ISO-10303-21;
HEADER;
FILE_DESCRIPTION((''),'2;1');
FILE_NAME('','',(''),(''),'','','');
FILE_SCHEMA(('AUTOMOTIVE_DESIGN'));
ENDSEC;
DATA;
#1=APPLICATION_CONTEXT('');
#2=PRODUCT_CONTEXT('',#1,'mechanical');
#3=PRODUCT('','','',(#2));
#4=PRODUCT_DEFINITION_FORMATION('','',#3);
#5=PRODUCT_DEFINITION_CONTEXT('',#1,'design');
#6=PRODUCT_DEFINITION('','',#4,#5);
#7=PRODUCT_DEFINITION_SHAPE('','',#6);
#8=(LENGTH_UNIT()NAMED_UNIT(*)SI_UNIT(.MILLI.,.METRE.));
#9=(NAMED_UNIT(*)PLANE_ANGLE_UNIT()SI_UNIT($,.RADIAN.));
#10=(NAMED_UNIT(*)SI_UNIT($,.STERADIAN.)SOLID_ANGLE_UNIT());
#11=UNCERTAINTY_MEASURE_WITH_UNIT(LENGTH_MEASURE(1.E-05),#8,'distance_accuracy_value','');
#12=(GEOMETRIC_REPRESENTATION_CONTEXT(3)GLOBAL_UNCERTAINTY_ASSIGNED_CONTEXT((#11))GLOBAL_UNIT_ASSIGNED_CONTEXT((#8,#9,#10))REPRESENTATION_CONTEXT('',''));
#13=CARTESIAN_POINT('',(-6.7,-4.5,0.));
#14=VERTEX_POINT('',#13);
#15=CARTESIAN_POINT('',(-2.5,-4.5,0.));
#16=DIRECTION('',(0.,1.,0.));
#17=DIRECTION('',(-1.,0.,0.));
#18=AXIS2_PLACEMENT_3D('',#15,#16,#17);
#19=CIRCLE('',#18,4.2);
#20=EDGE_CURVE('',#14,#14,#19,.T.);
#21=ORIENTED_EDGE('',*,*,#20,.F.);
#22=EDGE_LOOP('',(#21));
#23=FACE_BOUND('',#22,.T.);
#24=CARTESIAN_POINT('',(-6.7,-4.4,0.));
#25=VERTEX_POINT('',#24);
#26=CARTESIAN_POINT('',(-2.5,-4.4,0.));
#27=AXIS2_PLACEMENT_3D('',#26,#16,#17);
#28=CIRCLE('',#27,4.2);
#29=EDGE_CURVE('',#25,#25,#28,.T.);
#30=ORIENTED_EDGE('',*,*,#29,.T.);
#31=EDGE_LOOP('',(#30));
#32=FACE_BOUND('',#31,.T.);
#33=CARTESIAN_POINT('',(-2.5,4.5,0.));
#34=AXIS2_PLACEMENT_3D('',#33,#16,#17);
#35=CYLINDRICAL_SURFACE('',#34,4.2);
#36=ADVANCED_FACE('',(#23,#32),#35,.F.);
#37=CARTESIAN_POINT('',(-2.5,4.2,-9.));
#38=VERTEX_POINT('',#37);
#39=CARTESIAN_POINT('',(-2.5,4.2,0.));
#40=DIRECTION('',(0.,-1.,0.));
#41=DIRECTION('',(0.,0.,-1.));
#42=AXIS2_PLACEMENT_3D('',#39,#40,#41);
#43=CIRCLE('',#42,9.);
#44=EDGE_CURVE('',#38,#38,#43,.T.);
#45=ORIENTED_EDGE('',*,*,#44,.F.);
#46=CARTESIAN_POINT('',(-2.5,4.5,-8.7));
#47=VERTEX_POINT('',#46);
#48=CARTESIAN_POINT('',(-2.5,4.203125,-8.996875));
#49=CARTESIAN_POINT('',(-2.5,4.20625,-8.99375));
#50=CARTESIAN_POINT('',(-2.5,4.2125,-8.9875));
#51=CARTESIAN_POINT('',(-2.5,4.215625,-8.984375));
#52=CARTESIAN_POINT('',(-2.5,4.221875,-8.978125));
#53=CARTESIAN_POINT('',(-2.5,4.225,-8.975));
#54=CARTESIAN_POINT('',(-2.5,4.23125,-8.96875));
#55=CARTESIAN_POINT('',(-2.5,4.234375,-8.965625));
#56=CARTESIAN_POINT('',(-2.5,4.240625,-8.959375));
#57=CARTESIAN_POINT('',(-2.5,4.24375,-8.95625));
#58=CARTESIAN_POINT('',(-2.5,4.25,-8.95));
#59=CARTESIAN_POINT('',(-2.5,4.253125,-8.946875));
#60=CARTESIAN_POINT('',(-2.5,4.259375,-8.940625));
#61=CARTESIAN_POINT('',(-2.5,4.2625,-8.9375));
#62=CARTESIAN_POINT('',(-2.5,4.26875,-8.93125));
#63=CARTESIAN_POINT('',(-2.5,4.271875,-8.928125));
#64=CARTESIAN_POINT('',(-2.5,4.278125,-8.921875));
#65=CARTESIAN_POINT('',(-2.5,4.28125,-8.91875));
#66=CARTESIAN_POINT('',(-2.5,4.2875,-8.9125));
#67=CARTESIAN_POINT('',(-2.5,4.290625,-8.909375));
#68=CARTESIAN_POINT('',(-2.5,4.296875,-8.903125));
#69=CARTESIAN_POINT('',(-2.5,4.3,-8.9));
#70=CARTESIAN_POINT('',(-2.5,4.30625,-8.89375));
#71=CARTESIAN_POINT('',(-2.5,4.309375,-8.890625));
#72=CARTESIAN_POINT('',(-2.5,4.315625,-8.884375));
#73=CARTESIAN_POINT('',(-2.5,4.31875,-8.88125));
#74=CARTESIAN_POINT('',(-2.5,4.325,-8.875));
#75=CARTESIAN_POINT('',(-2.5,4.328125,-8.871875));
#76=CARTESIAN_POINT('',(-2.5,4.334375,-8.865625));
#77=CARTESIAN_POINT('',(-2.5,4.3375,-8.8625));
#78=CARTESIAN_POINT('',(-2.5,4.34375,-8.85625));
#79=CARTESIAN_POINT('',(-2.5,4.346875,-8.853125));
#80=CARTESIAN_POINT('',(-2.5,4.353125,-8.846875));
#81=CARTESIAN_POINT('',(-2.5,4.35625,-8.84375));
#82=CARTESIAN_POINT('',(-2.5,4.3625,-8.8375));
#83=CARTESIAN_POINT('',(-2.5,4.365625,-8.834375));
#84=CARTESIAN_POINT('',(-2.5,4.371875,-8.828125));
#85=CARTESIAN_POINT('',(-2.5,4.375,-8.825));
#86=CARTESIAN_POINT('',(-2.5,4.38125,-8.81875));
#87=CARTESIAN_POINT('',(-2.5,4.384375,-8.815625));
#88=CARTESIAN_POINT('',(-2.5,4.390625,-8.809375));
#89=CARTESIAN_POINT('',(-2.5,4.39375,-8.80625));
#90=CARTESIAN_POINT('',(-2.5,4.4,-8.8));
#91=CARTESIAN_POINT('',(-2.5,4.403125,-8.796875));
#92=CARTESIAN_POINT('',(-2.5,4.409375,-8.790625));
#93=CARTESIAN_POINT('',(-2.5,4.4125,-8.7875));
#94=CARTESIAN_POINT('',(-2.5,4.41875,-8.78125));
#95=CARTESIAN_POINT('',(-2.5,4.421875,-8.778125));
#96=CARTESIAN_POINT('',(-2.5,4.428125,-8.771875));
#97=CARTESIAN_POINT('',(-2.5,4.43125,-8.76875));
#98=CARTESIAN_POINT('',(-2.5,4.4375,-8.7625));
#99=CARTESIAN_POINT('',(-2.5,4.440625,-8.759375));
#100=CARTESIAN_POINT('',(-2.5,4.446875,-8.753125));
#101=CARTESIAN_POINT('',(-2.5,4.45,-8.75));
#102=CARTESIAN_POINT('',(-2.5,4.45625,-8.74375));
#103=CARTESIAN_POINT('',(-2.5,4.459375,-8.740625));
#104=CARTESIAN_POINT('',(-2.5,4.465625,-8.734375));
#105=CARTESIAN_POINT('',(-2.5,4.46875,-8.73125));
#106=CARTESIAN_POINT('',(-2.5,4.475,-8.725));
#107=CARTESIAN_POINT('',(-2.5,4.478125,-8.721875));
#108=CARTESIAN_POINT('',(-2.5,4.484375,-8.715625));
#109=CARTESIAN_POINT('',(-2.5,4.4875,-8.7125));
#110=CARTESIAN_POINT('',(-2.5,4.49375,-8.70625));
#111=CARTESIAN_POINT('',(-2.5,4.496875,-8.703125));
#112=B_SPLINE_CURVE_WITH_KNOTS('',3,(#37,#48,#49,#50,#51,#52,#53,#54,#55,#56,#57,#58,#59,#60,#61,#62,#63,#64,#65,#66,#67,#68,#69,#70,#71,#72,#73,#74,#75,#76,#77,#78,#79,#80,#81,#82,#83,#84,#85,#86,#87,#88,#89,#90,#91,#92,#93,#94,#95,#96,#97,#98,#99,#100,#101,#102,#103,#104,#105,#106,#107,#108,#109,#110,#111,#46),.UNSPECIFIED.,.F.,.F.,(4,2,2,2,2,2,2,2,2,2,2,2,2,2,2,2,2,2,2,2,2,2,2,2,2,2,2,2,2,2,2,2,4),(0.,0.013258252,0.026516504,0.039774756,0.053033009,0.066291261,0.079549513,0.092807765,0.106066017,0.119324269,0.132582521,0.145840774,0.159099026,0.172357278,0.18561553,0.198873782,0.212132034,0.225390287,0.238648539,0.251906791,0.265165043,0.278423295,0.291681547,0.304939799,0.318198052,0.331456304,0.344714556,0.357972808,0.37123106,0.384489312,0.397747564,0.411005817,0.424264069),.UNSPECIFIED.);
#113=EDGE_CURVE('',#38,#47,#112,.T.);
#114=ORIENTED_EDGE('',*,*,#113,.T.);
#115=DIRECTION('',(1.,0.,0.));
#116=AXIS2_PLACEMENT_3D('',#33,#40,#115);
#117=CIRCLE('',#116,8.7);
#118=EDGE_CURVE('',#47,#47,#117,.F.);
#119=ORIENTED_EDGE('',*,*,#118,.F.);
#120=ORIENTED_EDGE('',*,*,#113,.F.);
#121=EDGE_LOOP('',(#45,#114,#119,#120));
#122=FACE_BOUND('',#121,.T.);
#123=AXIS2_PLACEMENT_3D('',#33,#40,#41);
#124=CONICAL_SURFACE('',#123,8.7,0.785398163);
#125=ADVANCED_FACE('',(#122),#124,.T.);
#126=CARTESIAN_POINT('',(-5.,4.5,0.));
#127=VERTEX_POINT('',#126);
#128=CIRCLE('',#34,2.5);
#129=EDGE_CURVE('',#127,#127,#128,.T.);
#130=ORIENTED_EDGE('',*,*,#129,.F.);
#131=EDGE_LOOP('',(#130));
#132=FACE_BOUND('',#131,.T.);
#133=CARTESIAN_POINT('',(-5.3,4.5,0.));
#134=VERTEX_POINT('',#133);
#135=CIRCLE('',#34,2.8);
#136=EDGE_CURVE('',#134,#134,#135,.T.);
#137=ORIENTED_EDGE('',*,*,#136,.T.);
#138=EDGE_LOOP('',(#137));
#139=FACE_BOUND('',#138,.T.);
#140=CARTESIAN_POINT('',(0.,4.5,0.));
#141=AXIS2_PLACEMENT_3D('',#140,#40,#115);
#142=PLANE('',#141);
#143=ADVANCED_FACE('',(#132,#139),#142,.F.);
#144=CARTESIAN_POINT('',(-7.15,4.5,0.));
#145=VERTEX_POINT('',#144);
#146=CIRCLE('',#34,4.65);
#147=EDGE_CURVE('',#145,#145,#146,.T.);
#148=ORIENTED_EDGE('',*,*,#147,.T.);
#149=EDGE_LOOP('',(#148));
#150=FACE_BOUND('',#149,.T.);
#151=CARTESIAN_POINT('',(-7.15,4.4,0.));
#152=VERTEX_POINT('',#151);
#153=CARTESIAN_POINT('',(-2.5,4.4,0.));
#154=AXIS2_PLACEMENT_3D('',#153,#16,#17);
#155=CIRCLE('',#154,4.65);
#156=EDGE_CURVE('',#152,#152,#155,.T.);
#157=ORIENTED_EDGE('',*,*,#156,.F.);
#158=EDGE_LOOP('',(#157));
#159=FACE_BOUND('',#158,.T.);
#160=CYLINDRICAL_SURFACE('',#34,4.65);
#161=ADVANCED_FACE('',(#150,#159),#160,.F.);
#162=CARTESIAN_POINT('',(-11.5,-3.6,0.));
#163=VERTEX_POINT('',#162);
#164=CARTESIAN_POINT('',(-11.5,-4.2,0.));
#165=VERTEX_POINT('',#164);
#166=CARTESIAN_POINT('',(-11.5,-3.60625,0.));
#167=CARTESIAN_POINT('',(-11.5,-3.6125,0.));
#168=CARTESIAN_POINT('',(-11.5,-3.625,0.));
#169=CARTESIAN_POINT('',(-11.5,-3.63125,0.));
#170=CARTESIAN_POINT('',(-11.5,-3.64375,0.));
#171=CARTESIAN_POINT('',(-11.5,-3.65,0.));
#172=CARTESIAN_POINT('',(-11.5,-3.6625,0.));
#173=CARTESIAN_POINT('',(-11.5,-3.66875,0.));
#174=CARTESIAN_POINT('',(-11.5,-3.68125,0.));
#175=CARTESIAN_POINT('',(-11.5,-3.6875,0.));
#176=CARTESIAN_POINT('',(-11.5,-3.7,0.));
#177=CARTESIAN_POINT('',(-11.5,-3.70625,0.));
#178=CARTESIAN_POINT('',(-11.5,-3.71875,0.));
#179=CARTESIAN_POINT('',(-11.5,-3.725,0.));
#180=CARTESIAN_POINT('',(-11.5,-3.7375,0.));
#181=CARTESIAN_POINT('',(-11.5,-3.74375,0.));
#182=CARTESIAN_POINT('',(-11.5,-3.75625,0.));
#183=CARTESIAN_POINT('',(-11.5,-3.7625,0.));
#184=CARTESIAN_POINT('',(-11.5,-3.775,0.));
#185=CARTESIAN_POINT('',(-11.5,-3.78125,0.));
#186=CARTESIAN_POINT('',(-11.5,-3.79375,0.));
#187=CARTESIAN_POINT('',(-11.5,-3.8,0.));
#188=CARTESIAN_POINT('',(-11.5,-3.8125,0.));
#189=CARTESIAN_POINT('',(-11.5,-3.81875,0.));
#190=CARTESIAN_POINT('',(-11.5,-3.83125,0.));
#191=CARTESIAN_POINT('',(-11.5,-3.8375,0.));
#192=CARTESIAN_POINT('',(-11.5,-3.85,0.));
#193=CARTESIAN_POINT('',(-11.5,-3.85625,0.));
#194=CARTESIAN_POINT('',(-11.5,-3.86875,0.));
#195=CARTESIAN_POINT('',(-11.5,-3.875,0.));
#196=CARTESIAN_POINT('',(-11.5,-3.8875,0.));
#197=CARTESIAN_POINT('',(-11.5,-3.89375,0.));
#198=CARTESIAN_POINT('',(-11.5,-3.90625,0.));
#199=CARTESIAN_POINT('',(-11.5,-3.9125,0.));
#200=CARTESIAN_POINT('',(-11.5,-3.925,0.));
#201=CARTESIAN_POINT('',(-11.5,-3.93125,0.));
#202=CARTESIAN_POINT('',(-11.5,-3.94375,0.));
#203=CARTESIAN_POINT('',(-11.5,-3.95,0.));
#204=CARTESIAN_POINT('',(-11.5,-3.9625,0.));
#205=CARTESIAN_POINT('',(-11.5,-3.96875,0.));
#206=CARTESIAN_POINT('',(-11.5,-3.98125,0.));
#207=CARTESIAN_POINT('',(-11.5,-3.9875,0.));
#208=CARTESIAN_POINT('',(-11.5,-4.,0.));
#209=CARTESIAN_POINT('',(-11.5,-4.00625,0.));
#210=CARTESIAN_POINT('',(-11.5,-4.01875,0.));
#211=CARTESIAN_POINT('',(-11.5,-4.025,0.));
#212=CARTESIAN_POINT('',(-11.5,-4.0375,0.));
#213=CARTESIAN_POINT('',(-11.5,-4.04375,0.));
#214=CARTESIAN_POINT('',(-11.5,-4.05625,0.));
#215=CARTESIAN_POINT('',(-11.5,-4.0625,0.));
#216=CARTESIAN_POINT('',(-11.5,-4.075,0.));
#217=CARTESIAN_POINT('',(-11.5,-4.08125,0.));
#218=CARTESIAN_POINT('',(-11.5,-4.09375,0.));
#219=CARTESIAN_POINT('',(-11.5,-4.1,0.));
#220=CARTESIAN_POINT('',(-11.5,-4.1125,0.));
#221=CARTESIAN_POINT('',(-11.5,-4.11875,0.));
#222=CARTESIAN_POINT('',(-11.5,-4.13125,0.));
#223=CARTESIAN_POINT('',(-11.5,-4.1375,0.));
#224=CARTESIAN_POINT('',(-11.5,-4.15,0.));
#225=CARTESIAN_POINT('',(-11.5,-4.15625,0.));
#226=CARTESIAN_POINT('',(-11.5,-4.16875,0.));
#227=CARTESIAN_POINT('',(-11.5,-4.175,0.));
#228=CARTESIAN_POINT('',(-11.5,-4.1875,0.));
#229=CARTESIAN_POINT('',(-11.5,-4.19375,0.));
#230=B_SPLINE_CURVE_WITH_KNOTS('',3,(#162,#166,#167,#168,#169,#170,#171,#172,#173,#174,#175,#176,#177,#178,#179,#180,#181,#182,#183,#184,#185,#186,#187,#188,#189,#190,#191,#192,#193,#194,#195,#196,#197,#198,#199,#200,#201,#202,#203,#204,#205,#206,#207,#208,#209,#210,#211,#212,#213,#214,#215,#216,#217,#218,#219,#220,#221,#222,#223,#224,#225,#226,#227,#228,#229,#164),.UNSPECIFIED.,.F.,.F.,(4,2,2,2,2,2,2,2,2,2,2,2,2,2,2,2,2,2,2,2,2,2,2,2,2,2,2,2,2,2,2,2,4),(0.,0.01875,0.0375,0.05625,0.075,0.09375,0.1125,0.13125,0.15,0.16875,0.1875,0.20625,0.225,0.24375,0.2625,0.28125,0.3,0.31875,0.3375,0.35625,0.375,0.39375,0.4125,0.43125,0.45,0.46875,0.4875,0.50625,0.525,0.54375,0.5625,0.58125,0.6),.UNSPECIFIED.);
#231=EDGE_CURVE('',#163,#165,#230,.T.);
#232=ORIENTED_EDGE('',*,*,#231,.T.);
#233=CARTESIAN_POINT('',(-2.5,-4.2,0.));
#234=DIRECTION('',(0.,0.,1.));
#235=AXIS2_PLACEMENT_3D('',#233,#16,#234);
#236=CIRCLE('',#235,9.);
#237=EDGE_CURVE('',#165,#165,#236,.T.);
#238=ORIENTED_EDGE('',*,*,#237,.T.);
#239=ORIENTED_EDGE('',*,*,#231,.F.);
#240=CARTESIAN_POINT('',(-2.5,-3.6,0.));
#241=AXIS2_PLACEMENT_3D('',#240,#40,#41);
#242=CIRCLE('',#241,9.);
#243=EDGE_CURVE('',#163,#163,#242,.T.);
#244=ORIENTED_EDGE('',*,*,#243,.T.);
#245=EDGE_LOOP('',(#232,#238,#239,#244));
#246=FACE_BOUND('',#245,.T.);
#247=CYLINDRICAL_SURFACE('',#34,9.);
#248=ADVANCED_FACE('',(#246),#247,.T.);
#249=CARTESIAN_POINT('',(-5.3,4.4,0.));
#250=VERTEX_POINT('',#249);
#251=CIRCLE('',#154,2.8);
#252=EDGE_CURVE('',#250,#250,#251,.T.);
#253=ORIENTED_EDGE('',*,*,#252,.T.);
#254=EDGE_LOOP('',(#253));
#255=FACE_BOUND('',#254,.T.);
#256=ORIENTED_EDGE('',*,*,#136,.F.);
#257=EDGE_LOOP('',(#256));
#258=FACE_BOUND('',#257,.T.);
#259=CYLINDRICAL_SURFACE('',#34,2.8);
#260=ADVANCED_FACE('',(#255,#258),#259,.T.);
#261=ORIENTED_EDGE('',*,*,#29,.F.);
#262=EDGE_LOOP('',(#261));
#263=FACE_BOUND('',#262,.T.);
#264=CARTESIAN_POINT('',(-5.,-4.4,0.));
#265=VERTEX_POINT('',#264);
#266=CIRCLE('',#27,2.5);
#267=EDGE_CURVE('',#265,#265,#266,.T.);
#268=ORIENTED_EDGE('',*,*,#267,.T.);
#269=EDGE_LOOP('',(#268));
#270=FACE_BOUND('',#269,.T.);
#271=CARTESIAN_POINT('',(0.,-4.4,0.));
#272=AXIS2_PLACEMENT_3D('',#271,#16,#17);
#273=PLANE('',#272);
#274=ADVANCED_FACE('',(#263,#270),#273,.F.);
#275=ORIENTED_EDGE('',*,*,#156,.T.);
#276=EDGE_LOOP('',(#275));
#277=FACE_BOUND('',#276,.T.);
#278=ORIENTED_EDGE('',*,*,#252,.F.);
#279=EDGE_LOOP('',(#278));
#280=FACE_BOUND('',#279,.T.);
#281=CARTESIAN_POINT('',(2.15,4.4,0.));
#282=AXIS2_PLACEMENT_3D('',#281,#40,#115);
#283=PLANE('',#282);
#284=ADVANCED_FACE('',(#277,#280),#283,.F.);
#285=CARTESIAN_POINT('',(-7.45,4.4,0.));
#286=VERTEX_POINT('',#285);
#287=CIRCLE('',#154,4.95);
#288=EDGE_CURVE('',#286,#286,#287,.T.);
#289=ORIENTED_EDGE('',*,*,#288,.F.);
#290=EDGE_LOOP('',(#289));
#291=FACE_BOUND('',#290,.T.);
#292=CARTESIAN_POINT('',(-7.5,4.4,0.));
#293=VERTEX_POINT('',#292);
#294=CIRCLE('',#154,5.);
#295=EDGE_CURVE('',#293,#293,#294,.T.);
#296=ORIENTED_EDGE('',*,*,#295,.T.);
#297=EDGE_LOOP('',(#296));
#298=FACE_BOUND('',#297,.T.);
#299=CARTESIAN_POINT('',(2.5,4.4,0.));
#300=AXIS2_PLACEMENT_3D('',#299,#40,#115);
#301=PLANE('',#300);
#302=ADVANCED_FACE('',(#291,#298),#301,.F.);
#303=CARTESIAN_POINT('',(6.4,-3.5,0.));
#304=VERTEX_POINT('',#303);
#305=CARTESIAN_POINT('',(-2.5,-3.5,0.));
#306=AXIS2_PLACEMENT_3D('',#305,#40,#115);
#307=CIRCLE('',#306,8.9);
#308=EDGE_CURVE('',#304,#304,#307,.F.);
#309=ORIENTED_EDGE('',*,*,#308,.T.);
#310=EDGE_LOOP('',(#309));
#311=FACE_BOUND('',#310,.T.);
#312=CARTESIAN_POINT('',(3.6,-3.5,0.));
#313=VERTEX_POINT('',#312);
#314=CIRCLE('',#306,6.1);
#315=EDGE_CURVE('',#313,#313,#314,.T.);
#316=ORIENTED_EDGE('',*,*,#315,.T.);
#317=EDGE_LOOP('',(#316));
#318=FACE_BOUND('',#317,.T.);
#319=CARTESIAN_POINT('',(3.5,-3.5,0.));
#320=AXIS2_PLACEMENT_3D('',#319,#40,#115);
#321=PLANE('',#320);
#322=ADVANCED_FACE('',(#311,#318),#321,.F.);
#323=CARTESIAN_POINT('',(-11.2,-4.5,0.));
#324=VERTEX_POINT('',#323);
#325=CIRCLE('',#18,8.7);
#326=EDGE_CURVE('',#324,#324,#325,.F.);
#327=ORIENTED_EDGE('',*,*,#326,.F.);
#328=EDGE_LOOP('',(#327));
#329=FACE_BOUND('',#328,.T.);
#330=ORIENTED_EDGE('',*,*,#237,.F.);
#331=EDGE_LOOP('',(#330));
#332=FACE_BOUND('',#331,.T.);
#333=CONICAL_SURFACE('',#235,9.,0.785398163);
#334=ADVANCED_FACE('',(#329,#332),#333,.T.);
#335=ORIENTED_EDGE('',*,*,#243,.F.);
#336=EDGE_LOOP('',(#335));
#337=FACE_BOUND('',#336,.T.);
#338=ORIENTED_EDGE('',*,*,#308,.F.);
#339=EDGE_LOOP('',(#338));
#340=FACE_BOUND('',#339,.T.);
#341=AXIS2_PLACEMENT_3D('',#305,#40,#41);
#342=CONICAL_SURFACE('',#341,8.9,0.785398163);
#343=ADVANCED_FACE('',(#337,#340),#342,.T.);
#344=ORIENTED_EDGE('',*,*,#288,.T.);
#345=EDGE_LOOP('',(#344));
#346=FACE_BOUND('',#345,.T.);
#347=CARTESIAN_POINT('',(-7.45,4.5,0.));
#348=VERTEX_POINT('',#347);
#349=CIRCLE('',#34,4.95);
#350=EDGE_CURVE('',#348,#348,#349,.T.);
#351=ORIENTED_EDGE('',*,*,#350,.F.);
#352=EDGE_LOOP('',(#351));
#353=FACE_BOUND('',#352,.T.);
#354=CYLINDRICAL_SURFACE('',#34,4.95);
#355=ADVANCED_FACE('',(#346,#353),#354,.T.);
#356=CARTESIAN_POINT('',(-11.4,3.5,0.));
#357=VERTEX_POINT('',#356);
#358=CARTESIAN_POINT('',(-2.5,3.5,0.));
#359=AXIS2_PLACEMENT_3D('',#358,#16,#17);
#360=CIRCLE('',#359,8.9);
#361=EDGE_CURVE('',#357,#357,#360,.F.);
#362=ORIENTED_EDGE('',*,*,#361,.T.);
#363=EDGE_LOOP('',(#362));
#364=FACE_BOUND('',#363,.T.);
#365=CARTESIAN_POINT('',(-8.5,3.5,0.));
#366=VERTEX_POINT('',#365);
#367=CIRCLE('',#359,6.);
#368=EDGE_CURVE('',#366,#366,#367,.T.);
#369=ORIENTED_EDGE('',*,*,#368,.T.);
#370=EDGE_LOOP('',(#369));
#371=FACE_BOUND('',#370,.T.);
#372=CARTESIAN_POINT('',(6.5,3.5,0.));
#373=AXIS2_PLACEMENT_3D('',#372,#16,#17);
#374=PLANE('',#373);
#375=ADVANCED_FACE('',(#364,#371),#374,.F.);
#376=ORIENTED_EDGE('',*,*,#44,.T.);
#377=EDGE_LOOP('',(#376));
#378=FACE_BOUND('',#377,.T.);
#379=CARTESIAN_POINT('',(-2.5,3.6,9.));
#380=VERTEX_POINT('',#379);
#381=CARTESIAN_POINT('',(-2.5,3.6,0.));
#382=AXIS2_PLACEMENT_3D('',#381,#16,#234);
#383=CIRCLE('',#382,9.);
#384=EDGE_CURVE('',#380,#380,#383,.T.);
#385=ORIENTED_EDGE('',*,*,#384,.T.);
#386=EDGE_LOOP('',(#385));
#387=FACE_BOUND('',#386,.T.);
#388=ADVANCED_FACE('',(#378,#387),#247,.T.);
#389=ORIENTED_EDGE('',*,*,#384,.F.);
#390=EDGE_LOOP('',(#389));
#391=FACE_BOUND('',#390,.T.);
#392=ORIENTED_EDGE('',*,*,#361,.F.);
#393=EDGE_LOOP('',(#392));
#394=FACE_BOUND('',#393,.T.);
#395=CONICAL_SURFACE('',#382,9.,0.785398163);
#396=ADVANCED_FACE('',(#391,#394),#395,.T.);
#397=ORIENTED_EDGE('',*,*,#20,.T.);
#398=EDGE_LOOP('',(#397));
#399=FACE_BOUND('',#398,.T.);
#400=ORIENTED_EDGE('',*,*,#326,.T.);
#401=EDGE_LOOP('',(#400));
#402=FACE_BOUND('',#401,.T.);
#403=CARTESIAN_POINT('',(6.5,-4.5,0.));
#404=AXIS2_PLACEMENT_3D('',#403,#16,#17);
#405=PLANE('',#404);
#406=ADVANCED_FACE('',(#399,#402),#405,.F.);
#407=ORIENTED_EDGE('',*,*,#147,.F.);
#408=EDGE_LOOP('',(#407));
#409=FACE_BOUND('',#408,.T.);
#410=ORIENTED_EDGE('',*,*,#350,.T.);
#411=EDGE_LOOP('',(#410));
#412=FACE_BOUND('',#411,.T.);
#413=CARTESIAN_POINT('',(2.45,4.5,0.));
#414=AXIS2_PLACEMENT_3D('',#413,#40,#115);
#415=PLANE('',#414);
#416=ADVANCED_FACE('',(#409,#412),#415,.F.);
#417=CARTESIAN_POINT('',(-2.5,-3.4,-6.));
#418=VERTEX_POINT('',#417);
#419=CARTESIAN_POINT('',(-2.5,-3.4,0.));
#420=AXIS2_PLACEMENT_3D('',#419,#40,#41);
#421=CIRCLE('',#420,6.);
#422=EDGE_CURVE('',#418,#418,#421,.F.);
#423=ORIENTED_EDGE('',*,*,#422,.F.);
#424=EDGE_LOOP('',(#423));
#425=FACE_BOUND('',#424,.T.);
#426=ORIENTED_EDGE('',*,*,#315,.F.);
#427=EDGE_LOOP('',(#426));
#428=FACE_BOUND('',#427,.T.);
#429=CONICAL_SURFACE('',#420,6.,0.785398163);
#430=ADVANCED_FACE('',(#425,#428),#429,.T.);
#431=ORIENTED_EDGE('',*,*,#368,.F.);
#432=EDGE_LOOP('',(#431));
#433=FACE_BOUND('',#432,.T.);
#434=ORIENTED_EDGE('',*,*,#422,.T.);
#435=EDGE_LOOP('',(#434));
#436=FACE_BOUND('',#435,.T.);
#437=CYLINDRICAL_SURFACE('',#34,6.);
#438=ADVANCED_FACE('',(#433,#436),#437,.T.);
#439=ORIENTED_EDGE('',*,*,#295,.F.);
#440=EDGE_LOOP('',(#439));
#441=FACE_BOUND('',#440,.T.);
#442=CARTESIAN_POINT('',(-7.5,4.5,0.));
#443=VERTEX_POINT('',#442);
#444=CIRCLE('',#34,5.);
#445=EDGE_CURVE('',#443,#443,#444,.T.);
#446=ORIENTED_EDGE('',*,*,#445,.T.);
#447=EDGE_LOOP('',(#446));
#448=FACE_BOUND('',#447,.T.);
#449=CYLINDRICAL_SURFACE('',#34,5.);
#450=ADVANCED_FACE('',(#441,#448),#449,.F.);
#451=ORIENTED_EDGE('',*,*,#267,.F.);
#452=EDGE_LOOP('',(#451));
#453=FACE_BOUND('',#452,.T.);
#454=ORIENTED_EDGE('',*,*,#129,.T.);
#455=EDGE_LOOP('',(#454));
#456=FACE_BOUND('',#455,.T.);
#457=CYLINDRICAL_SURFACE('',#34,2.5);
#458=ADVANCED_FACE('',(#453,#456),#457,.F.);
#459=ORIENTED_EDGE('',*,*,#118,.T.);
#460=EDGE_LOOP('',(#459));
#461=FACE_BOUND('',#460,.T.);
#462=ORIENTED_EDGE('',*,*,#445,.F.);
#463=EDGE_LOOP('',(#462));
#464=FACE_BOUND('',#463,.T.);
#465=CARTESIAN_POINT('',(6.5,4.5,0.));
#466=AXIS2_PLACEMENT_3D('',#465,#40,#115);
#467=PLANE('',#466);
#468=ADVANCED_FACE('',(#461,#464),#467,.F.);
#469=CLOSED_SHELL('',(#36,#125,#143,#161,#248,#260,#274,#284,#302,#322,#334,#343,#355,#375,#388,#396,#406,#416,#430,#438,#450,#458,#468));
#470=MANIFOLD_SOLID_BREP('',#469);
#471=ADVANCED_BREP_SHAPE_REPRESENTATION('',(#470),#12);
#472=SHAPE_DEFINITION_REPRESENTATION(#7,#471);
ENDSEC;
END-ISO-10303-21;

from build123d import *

# Parameters (mm, degrees)
CHAFL_N3_SIZE = 0.3
CHAFL_N4_SIZE = 0.1


with BuildPart() as part:
    # Croquis1 → Revolución3 (revolve)
    with BuildSketch(Plane.XY):
        Polygon((6.5, 4.5), (2.5, 4.5), (2.5, 4.4), (2.45, 4.4), (2.45, 4.5), (2.15, 4.5), (2.15, 4.4), (0.3, 4.4), (0.3, 4.5), (0, 4.5), (0, 0.05), (0, -4.4), (1.7, -4.4), (1.7, -4.5), (6.5, -4.5), (6.5, -3.5), (3.5, -3.5), (3.5, 3.5), (6.5, 3.5), align=None)
    revolve(axis=Axis((-2.5, 4.5, 0), (0, -1, 0)))

    # Chaflán3
    chafl_n3_edges = [part.edges().sort_by_distance(p)[0] for p in [
        (-11.5, -4.5, 0),
        (-11.5, 4.5, 0),
    ]]
    chamfer(chafl_n3_edges, length=CHAFL_N3_SIZE)

    # Chaflán4
    chafl_n4_edges = [part.edges().sort_by_distance(p)[0] for p in [
        (-11.5, -3.5, 0),
        (-8.5, -3.5, 0),
        (-11.5, 3.5, 0),
    ]]
    chamfer(chafl_n4_edges, length=CHAFL_N4_SIZE)


solid = part.part
